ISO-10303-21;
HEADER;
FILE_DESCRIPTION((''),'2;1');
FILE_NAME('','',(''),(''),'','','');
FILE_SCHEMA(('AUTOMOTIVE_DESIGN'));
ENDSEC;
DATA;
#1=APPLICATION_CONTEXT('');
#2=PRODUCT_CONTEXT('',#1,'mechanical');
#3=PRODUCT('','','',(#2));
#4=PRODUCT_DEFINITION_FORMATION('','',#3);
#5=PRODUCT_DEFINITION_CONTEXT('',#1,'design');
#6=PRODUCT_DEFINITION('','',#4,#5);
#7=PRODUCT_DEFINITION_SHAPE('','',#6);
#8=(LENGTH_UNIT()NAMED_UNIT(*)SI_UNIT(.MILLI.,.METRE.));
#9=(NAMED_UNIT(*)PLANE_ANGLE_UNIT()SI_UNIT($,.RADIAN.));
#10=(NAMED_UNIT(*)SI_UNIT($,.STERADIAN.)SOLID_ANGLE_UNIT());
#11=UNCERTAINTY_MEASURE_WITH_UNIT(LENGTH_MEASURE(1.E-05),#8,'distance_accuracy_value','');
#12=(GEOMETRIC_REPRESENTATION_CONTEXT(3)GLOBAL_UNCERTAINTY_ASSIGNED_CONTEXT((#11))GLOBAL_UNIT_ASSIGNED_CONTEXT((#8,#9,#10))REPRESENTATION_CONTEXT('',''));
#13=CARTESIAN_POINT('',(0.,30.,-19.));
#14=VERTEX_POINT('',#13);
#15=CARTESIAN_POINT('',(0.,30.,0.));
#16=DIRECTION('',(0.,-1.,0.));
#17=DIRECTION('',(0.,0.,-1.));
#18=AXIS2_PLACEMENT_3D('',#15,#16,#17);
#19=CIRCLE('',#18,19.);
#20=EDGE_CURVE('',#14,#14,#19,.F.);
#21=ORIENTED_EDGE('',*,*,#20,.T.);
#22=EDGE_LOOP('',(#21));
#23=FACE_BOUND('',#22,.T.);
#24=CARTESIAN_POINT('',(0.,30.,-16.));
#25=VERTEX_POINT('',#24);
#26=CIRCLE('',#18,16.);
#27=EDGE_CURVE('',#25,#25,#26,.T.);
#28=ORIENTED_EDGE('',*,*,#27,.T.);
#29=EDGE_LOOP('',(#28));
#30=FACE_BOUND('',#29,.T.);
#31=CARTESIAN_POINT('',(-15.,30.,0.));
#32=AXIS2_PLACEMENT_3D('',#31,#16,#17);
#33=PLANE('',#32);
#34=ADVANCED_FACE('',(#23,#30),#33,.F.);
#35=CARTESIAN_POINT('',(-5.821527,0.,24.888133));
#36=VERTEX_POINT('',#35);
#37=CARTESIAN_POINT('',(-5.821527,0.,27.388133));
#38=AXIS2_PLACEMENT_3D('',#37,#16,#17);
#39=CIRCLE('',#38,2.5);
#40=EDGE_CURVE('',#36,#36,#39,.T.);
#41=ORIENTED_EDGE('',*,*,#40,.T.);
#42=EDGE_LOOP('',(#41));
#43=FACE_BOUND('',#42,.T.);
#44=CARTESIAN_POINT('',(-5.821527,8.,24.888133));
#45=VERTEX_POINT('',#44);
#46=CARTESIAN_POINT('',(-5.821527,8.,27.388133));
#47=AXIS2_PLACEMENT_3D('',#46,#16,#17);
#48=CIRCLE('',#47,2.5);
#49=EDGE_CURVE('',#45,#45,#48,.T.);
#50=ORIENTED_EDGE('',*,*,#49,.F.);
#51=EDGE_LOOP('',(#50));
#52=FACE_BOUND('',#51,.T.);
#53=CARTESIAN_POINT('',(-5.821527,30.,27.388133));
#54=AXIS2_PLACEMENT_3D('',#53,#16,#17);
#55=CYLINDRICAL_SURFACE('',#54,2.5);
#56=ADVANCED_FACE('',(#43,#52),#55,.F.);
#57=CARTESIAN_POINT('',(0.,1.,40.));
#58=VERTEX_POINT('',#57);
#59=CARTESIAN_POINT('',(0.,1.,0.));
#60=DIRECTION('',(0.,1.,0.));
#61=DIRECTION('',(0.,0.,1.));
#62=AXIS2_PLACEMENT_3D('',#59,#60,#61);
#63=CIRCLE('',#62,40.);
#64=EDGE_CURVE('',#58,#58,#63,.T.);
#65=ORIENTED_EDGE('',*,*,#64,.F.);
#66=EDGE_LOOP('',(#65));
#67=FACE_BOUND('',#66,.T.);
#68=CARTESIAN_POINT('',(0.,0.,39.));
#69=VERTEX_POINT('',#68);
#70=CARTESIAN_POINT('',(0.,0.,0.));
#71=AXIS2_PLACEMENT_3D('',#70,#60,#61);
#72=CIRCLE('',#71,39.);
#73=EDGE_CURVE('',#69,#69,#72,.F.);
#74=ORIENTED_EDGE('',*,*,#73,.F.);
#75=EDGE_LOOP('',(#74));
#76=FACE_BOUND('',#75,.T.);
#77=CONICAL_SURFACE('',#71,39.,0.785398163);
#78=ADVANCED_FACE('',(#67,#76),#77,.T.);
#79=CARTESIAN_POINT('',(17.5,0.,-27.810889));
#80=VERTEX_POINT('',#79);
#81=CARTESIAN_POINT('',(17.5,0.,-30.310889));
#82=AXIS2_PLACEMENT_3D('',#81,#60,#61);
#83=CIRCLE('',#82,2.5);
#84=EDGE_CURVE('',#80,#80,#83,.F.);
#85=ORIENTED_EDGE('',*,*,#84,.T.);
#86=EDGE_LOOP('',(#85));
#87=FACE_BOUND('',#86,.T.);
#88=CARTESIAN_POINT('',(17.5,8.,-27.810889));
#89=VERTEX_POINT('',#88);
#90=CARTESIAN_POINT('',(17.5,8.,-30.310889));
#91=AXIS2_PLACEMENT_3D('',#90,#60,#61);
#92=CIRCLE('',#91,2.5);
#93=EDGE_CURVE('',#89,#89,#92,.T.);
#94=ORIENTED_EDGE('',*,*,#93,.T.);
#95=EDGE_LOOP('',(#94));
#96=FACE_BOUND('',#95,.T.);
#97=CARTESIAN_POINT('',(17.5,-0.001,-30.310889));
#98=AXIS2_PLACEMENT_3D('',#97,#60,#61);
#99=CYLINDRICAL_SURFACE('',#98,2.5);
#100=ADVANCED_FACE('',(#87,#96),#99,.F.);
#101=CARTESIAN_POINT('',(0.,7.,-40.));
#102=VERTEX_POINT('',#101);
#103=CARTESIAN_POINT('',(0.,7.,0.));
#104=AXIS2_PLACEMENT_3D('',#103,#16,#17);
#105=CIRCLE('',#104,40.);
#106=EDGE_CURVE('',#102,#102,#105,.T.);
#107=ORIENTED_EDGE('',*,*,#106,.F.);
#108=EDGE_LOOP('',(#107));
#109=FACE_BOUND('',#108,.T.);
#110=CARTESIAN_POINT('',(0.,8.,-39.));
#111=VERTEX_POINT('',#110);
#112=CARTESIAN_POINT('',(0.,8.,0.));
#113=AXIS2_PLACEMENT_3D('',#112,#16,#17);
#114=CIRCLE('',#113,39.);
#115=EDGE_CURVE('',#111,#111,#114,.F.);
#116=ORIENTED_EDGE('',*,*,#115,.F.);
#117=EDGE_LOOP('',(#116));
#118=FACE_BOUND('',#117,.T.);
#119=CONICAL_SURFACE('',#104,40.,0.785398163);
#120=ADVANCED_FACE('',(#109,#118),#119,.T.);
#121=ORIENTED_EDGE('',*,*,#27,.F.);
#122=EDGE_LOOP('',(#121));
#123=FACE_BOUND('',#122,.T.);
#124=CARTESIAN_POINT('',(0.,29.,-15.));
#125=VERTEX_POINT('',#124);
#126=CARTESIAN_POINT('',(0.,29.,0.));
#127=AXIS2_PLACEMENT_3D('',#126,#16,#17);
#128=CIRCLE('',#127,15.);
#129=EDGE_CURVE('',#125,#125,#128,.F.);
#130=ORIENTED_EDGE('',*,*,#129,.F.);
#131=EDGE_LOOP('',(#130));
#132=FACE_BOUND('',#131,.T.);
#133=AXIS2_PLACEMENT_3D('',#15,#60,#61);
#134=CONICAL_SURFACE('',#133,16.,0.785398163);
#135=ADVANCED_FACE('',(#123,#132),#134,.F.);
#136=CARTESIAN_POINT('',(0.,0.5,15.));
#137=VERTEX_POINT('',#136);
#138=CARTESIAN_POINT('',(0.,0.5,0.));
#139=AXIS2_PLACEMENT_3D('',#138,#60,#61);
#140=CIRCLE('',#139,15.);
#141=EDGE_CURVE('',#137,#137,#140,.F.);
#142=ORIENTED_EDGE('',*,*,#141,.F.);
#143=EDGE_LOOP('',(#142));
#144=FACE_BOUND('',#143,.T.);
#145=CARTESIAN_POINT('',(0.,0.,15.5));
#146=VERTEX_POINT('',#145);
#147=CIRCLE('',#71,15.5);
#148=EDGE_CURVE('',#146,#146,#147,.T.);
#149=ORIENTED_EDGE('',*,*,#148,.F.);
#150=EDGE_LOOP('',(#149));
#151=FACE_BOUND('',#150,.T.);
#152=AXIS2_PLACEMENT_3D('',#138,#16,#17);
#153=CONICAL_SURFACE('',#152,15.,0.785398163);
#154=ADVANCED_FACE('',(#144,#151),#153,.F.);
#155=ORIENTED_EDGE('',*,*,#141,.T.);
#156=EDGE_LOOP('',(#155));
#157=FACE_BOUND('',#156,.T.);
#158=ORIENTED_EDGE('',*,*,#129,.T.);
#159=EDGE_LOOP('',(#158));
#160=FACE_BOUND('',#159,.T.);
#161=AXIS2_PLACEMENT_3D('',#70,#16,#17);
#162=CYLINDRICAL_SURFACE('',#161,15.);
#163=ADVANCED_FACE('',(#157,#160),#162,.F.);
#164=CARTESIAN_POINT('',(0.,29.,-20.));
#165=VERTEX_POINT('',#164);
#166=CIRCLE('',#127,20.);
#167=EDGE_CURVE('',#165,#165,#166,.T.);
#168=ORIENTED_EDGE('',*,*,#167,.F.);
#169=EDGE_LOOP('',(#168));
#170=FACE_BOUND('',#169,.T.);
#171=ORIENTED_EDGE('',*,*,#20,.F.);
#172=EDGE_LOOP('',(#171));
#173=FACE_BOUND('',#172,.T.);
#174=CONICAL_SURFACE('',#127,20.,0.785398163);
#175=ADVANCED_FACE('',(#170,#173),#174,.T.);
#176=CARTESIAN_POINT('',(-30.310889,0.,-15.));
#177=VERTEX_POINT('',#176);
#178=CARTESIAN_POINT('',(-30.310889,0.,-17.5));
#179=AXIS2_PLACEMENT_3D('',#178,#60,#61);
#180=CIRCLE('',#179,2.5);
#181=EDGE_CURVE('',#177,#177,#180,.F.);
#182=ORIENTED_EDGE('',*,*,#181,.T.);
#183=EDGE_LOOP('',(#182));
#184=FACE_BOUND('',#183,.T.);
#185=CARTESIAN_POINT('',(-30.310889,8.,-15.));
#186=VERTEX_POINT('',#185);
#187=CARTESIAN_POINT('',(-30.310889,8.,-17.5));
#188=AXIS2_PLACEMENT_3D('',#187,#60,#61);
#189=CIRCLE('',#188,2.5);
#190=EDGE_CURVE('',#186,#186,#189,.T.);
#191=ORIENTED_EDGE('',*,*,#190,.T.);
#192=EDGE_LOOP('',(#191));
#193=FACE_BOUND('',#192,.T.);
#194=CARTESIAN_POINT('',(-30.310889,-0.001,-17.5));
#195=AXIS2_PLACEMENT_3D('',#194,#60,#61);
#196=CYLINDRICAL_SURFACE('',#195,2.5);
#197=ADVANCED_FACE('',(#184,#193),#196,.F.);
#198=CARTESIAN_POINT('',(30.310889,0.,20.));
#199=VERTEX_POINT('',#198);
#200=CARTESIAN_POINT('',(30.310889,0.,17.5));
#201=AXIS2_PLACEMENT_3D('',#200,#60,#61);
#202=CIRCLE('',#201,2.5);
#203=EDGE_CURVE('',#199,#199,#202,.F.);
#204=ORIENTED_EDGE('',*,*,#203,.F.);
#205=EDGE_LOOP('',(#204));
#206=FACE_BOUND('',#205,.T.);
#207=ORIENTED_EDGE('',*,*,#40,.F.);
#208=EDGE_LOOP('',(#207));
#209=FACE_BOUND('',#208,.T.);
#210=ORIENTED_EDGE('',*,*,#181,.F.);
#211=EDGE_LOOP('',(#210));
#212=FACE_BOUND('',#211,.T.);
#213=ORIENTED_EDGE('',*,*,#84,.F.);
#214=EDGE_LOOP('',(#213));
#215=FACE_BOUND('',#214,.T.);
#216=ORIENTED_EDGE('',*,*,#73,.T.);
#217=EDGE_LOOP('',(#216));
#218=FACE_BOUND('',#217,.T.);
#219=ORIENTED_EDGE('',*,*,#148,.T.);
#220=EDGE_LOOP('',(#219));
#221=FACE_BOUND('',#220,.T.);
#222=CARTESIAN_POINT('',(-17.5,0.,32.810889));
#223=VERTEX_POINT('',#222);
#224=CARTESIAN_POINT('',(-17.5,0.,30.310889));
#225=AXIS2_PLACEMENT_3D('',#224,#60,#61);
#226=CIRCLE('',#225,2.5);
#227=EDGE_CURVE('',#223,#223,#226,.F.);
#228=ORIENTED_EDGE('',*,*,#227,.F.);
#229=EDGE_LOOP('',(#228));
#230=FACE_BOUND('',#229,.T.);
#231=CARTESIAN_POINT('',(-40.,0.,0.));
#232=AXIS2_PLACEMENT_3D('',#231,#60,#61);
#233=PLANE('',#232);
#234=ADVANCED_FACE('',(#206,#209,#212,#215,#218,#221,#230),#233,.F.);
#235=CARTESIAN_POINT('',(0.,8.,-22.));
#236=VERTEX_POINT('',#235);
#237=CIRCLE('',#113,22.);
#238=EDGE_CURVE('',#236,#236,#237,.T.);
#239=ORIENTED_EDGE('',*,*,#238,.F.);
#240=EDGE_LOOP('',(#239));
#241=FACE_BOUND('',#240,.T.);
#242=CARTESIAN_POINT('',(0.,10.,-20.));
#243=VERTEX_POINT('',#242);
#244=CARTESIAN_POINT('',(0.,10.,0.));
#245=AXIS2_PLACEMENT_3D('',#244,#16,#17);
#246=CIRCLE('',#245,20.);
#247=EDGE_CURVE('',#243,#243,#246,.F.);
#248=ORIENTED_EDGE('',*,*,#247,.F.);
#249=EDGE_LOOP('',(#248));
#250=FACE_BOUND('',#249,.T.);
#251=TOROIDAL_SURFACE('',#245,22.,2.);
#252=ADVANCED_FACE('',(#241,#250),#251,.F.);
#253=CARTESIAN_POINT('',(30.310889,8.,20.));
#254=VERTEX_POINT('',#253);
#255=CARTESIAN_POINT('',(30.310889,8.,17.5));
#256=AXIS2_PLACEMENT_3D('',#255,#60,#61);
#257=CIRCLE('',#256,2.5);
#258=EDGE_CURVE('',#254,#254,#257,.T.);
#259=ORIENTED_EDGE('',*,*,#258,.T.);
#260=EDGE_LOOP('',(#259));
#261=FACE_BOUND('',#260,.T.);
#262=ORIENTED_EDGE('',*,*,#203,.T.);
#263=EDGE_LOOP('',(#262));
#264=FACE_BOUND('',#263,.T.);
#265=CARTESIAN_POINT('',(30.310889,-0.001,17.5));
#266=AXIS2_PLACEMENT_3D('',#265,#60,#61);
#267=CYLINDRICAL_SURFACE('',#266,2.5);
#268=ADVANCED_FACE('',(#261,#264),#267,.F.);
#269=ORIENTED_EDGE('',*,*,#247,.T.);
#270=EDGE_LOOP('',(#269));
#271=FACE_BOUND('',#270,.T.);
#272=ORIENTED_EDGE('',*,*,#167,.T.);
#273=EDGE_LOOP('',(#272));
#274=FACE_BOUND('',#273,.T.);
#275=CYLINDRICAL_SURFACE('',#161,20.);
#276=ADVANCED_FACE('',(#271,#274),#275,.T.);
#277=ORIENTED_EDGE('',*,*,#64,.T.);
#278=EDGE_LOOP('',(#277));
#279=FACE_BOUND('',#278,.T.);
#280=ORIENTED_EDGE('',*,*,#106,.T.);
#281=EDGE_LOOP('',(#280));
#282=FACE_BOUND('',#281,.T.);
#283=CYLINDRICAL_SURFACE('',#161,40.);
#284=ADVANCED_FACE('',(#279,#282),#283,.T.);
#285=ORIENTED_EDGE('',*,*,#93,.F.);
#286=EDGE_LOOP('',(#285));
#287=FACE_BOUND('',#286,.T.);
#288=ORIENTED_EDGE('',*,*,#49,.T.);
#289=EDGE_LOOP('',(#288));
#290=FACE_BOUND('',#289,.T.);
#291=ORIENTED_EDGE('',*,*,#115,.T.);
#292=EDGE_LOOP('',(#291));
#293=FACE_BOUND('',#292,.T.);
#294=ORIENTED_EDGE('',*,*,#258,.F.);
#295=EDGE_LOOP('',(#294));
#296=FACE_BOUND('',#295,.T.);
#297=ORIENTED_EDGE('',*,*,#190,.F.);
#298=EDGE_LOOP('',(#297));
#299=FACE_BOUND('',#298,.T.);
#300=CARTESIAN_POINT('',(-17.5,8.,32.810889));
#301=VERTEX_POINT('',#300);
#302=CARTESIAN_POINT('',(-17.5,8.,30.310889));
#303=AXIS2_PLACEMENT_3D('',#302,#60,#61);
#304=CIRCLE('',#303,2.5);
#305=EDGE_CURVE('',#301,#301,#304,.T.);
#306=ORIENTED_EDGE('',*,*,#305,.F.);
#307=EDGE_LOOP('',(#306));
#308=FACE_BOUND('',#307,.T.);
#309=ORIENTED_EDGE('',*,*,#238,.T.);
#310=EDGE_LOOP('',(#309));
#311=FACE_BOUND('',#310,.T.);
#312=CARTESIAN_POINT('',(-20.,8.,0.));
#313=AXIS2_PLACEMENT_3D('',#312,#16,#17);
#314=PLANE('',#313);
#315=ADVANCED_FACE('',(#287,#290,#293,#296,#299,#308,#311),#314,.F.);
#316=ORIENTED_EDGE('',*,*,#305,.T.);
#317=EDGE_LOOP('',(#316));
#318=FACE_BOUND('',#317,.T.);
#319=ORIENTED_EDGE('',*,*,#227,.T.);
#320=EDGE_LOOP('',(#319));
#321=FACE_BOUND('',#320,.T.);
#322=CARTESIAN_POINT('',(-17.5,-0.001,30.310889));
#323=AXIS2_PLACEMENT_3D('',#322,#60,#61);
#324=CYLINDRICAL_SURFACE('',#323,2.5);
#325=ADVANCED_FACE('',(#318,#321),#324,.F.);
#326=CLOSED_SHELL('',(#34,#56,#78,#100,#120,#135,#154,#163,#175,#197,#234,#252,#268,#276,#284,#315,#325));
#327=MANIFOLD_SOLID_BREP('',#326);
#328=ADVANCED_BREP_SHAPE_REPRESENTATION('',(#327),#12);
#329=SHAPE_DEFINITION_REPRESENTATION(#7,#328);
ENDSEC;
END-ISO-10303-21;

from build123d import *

# Parameters (mm, degrees)
FILLET1_R               = 2
CHAMFER1_SIZE           = 1
CHAMFER2_SIZE           = 0.5
CUT_EXTRUDE1_DEPTH      = 65.031242374
CUT_EXTRUDE1_DEPTH_BACK = 65.031242374
SKETCH2_R               = 2.5
CUT_EXTRUDE3_REACH      = 62.696
SKETCH5_R               = 2.5


with BuildPart() as part:
    # Sketch1 → Revolve1 (revolve)
    with BuildSketch(Plane.XY, mode=Mode.PRIVATE) as revolve1_sk:
        Polygon((-15, 0), (-15, 30), (-20, 30), (-20, 8), (-40, 8), (-40, 0), align=None)
    revolve(revolve1_sk.sketch.rotate(Axis((0, 0, 0), (0, 1, 0)), 270), axis=Axis((0, 0, 0), (0, 1, 0)))

    # Fillet1
    fillet1_edges = [part.edges().sort_by_distance(p)[0] for p in [
        (0, 8, 20),
    ]]
    fillet(fillet1_edges, radius=FILLET1_R)

    # Chamfer1
    chamfer1_edges = [part.edges().sort_by_distance(p)[0] for p in [
        (0, 0, 40),
        (0, 8, 40),
        (0, 30, 20),
        (0, 30, 15),
    ]]
    chamfer(chamfer1_edges, length=CHAMFER1_SIZE)

    # Chamfer2
    chamfer2_edges = [part.edges().sort_by_distance(p)[0] for p in [
        (0, 0, 15),
    ]]
    chamfer(chamfer2_edges, length=CHAMFER2_SIZE)

    # Sketch2 → Cut-Extrude1 (cut, two sides: drawn at the far end of the back side and taken through both)
    with BuildSketch(Plane.XZ.offset(-CUT_EXTRUDE1_DEPTH_BACK)):
        with Locations(Location((-5.821527343, 27.388132821, 0), (0, 0, 270))):
            Circle(SKETCH2_R)
    extrude(amount=CUT_EXTRUDE1_DEPTH + CUT_EXTRUDE1_DEPTH_BACK, mode=Mode.SUBTRACT)

    # Sketch5 → Cut-Extrude3 (cut, up to next)
    with BuildSketch(Plane(origin=(0, 8, 0), x_dir=(1, 0, 0), z_dir=(0, 1, 0)), mode=Mode.PRIVATE) as cut_extrude3_sk1:
        with Locations(Location((-17.5, -30.310889132, 0), (0, 0, 270))):
            Circle(SKETCH5_R)
    cut_extrude3_tool1 = extrude(cut_extrude3_sk1.sketch, amount=-CUT_EXTRUDE3_REACH, mode=Mode.PRIVATE) & part.part
    # Sketch5 → Cut-Extrude3 (cut, up to next)
    with BuildSketch(Plane(origin=(0, 8, 0), x_dir=(1, 0, 0), z_dir=(0, 1, 0)), mode=Mode.PRIVATE) as cut_extrude3_sk2:
        with Locations(Location((-30.310889132, 17.5, 0), (0, 0, 270))):
            Circle(SKETCH5_R)
    cut_extrude3_tool2 = extrude(cut_extrude3_sk2.sketch, amount=-CUT_EXTRUDE3_REACH, mode=Mode.PRIVATE) & part.part
    # Sketch5 → Cut-Extrude3 (cut, up to next)
    with BuildSketch(Plane(origin=(0, 8, 0), x_dir=(1, 0, 0), z_dir=(0, 1, 0)), mode=Mode.PRIVATE) as cut_extrude3_sk3:
        with Locations(Location((17.5, 30.310889132, 0), (0, 0, 270))):
            Circle(SKETCH5_R)
    cut_extrude3_tool3 = extrude(cut_extrude3_sk3.sketch, amount=-CUT_EXTRUDE3_REACH, mode=Mode.PRIVATE) & part.part
    # Sketch5 → Cut-Extrude3 (cut, up to next)
    with BuildSketch(Plane(origin=(0, 8, 0), x_dir=(1, 0, 0), z_dir=(0, 1, 0)), mode=Mode.PRIVATE) as cut_extrude3_sk4:
        with Locations(Location((30.310889132, -17.5, 0), (0, 0, 270))):
            Circle(SKETCH5_R)
    cut_extrude3_tool4 = extrude(cut_extrude3_sk4.sketch, amount=-CUT_EXTRUDE3_REACH, mode=Mode.PRIVATE) & part.part
    add(cut_extrude3_tool1.solids().sort_by_distance((-17.5, 8, 30.310889))[0], mode=Mode.SUBTRACT)
    add(cut_extrude3_tool2.solids().sort_by_distance((-30.310889, 8, -17.5))[0], mode=Mode.SUBTRACT)
    add(cut_extrude3_tool3.solids().sort_by_distance((17.5, 8, -30.310889))[0], mode=Mode.SUBTRACT)
    add(cut_extrude3_tool4.solids().sort_by_distance((30.310889, 8, 17.5))[0], mode=Mode.SUBTRACT)


solid = part.part
